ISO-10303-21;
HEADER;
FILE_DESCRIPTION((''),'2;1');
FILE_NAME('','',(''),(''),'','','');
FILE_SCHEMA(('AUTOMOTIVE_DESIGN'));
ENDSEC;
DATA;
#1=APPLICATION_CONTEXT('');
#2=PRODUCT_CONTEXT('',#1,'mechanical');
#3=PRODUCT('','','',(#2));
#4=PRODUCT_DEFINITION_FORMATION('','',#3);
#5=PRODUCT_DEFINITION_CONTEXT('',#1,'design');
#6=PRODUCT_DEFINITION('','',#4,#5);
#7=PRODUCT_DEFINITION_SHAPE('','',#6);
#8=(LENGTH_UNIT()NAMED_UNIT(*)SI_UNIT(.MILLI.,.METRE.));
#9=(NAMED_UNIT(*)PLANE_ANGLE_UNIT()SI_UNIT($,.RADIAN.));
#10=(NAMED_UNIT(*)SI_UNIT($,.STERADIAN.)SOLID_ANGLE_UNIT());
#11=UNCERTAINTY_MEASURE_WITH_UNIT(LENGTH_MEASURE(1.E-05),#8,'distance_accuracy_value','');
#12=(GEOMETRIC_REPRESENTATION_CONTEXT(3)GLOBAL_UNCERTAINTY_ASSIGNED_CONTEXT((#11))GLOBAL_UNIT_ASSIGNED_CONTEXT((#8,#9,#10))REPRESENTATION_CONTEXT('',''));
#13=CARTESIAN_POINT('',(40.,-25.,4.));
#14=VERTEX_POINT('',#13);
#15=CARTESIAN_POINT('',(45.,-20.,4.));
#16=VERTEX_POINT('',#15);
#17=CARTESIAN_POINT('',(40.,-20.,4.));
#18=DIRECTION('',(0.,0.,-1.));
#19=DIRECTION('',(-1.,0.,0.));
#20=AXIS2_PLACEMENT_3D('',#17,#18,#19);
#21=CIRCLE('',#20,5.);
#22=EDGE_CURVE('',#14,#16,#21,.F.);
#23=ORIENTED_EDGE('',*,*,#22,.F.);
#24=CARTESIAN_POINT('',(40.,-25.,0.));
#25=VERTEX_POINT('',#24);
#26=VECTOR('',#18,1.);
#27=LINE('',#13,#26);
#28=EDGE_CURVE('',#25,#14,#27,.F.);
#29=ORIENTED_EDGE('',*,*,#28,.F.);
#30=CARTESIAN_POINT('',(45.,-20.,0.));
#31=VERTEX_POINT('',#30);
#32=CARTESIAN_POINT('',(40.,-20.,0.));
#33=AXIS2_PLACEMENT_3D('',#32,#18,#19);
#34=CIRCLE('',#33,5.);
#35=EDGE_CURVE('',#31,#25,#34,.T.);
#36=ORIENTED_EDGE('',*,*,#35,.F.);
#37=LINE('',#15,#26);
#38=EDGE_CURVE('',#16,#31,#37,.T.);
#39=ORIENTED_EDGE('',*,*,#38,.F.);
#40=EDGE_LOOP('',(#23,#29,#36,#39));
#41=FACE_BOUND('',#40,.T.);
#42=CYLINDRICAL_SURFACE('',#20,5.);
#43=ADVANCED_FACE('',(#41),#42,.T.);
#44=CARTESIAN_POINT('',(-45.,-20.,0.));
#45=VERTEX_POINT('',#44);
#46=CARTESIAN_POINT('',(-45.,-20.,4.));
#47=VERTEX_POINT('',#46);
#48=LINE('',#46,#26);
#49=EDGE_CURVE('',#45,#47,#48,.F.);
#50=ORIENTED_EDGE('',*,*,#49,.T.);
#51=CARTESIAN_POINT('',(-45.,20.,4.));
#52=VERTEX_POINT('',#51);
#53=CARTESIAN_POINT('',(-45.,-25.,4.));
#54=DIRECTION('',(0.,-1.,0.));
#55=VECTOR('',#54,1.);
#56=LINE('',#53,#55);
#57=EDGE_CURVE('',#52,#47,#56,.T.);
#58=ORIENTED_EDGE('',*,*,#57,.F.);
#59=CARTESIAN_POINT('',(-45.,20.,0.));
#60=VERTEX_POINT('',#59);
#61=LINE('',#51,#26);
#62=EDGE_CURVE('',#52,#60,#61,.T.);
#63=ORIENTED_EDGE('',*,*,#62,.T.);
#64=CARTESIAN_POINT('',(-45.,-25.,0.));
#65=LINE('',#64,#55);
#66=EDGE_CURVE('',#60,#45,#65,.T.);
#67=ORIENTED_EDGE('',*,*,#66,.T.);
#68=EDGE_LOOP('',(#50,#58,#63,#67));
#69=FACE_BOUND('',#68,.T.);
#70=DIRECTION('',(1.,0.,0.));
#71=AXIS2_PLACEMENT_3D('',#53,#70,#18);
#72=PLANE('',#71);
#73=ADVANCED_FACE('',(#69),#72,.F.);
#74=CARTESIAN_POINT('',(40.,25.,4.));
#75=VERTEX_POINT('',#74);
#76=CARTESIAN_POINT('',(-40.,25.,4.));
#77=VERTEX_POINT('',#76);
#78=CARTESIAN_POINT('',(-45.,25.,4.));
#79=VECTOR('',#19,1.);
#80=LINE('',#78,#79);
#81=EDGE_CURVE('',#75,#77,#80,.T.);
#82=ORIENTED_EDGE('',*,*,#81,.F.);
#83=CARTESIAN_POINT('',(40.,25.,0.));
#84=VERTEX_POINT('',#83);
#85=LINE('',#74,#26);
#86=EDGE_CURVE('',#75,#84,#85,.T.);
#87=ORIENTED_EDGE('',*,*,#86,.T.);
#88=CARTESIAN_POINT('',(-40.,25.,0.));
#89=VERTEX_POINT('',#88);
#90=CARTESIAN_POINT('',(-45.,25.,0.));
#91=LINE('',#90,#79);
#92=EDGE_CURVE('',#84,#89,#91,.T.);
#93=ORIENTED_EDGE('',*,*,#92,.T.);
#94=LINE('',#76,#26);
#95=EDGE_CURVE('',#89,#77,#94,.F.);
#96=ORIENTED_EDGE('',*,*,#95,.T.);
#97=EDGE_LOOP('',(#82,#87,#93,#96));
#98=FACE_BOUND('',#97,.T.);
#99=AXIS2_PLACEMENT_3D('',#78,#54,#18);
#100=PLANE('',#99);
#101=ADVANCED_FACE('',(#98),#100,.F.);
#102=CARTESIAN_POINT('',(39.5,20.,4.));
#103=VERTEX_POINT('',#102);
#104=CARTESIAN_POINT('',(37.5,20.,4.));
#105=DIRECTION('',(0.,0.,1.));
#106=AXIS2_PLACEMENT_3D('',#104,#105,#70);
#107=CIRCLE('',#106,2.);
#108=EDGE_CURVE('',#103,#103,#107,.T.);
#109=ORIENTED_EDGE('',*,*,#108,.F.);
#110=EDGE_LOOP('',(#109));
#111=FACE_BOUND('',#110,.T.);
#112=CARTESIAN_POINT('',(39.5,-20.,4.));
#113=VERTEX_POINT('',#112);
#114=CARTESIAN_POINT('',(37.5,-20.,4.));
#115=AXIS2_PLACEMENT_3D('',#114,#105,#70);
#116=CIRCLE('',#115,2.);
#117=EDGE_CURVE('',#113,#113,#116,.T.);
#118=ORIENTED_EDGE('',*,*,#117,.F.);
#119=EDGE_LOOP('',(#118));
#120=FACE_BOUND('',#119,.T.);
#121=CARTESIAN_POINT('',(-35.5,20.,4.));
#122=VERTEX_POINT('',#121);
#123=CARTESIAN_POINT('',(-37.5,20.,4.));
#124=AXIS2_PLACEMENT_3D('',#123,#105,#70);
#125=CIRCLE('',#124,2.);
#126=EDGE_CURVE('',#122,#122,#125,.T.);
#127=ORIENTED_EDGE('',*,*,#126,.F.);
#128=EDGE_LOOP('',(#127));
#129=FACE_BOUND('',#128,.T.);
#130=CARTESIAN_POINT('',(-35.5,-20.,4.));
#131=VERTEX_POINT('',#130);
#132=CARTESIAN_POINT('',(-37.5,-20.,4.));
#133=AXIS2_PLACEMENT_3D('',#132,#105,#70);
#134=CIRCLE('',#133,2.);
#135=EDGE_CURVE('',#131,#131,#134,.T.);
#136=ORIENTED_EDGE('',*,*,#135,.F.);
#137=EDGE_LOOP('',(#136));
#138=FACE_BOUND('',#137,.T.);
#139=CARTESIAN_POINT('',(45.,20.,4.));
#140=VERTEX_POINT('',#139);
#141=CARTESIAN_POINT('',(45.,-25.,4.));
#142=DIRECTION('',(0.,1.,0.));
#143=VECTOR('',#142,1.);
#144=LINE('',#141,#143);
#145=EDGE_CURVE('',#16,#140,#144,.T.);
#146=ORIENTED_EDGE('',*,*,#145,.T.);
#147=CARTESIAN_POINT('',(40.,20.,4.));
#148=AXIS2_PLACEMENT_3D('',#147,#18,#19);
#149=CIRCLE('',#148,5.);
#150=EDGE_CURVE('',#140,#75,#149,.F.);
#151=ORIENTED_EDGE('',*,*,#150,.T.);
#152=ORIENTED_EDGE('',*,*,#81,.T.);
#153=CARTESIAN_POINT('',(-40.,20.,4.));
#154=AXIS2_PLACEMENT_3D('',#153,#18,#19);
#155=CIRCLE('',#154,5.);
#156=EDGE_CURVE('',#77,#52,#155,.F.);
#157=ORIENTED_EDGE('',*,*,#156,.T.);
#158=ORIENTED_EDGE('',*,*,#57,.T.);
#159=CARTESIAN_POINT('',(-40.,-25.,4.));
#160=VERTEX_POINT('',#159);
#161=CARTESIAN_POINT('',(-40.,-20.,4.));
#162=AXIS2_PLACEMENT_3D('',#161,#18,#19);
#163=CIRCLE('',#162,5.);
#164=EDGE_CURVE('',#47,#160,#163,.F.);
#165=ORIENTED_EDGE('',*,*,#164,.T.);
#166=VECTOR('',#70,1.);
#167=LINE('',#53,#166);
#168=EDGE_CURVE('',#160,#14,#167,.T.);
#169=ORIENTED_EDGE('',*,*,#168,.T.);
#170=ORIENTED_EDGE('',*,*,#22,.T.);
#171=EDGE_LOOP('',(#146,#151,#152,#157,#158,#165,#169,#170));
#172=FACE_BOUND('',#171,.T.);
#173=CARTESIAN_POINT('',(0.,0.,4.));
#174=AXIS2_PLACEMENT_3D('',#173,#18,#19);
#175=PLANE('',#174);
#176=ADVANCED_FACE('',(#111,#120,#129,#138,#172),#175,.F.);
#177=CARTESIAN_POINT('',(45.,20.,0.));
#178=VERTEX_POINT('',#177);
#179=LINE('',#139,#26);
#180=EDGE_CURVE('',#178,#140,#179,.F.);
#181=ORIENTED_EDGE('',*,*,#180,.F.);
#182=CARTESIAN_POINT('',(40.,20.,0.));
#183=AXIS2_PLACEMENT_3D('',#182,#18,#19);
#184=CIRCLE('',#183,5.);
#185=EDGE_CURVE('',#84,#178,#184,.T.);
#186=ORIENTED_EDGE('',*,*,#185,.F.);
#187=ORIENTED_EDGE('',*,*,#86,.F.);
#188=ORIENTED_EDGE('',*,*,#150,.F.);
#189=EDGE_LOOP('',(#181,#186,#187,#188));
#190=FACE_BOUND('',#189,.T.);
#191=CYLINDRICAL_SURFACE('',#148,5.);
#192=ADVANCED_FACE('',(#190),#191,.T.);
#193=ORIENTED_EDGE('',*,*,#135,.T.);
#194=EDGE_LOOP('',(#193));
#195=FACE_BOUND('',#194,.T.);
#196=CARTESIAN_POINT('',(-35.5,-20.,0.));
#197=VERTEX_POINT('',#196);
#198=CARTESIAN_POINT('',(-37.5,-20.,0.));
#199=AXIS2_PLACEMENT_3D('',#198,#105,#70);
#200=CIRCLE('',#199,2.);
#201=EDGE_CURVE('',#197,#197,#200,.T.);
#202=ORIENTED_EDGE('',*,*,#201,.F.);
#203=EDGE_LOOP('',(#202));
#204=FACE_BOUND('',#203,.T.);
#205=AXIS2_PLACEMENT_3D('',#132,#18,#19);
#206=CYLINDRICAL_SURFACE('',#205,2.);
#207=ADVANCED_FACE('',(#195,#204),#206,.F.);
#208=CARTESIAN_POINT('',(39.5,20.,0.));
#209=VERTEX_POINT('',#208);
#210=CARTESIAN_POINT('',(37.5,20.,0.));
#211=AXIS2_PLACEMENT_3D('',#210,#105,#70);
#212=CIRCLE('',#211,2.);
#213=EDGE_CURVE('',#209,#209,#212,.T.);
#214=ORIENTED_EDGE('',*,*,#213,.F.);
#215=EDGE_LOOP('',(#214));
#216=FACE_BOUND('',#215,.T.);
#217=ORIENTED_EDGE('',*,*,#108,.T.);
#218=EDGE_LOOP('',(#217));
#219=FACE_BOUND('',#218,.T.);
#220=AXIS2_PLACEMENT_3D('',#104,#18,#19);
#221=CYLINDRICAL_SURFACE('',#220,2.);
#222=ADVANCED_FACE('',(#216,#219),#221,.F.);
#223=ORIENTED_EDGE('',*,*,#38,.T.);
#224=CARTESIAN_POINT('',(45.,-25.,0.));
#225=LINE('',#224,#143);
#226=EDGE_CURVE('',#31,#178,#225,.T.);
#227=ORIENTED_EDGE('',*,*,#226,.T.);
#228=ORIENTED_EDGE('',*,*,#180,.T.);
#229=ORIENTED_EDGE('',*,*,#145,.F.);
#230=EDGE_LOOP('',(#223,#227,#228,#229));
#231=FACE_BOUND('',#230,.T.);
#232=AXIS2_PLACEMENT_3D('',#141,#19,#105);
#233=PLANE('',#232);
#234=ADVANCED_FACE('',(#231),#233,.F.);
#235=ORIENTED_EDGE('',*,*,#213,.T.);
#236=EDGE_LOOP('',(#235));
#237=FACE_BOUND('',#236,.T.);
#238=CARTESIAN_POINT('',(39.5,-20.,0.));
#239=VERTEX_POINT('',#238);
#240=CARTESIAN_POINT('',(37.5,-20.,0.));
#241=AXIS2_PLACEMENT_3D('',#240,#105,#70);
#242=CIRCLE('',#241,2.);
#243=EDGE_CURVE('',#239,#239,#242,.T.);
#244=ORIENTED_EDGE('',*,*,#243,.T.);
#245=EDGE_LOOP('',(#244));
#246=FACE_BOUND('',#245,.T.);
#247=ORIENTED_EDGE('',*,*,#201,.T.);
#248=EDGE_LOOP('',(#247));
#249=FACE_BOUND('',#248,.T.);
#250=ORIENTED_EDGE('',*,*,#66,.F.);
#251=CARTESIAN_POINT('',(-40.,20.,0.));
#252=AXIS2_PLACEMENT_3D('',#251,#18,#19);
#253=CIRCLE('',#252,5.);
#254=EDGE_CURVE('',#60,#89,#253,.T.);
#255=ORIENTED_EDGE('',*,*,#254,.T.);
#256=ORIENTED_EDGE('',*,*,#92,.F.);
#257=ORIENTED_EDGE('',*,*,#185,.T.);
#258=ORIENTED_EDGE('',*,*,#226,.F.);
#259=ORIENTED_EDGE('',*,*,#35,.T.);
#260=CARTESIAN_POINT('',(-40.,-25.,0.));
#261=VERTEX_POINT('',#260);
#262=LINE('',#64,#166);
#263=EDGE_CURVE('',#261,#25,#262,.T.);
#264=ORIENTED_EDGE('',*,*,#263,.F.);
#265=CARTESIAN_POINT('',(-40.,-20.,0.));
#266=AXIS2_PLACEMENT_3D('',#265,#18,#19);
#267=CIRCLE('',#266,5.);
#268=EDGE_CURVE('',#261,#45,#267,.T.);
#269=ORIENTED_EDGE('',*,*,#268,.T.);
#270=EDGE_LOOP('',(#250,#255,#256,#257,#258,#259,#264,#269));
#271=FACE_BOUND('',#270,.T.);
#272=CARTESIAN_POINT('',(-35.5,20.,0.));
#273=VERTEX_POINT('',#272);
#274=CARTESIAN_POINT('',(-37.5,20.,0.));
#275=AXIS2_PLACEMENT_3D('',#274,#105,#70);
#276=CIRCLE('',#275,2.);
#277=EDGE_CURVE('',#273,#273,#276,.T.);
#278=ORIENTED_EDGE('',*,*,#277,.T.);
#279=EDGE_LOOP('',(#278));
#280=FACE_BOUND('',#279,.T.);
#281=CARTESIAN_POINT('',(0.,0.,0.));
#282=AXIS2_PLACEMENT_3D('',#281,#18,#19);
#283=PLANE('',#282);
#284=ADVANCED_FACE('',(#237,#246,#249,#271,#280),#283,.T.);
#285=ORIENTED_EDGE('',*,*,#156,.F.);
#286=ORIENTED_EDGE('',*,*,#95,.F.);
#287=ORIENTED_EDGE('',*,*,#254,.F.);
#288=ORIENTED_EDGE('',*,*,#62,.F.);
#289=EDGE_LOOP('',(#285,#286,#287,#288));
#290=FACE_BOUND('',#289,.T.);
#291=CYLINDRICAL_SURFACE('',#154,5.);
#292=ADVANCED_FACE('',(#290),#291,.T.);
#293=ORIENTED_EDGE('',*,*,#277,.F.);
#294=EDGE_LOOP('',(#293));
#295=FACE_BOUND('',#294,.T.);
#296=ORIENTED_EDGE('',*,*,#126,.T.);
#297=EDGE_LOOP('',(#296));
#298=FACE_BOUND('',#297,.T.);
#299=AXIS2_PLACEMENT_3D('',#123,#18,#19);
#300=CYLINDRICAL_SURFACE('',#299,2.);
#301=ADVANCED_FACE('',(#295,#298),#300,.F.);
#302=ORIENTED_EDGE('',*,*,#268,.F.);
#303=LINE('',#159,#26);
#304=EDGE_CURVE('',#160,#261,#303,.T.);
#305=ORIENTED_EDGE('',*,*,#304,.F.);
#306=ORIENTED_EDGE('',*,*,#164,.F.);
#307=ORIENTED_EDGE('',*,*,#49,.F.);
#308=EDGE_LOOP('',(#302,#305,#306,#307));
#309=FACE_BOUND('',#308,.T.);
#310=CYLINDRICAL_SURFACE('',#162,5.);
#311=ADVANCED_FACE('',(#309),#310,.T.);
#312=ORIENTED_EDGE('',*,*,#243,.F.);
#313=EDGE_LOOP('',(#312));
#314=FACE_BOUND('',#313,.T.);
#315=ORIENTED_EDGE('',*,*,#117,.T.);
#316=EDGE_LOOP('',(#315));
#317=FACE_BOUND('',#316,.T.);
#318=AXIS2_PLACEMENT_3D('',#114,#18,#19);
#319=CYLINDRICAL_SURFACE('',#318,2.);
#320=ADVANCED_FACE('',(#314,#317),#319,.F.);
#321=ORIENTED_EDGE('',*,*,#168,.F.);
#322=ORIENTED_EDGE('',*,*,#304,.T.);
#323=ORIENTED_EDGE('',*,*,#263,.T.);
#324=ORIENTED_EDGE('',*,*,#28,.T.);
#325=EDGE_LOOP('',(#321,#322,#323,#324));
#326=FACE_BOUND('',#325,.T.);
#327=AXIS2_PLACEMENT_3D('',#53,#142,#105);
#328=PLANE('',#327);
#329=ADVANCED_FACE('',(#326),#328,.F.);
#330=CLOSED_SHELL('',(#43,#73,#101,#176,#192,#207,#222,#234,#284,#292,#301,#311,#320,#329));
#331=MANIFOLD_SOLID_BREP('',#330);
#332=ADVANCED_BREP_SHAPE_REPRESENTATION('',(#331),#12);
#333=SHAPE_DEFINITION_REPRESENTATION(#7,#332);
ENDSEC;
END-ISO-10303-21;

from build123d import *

# Parameters (mm, degrees)
SKETCH_1_W      = 90
SKETCH_1_H      = 50
SKETCH_1_R      = 2
EXTRUDE_1_DEPTH = 4
FILLET_1_R      = 5


with BuildPart() as part:
    # 草图1 → 凸台-拉伸1 (new body)
    with BuildSketch(Plane.XY):
        Rectangle(SKETCH_1_W, SKETCH_1_H)
        with Locations((-37.5, 20)):
            Circle(SKETCH_1_R, mode=Mode.SUBTRACT)
        with Locations((-37.5, -20)):
            Circle(SKETCH_1_R, mode=Mode.SUBTRACT)
        with Locations((37.5, -20)):
            Circle(SKETCH_1_R, mode=Mode.SUBTRACT)
        with Locations((37.5, 20)):
            Circle(SKETCH_1_R, mode=Mode.SUBTRACT)
    extrude(amount=EXTRUDE_1_DEPTH)

    # 圆角1
    fillet_1_edges = [part.edges().sort_by_distance(p)[0] for p in [
        (45, -25, 2),
        (-45, -25, 2),
        (-45, 25, 2),
        (45, 25, 2),
    ]]
    fillet(fillet_1_edges, radius=FILLET_1_R)


solid = part.part
